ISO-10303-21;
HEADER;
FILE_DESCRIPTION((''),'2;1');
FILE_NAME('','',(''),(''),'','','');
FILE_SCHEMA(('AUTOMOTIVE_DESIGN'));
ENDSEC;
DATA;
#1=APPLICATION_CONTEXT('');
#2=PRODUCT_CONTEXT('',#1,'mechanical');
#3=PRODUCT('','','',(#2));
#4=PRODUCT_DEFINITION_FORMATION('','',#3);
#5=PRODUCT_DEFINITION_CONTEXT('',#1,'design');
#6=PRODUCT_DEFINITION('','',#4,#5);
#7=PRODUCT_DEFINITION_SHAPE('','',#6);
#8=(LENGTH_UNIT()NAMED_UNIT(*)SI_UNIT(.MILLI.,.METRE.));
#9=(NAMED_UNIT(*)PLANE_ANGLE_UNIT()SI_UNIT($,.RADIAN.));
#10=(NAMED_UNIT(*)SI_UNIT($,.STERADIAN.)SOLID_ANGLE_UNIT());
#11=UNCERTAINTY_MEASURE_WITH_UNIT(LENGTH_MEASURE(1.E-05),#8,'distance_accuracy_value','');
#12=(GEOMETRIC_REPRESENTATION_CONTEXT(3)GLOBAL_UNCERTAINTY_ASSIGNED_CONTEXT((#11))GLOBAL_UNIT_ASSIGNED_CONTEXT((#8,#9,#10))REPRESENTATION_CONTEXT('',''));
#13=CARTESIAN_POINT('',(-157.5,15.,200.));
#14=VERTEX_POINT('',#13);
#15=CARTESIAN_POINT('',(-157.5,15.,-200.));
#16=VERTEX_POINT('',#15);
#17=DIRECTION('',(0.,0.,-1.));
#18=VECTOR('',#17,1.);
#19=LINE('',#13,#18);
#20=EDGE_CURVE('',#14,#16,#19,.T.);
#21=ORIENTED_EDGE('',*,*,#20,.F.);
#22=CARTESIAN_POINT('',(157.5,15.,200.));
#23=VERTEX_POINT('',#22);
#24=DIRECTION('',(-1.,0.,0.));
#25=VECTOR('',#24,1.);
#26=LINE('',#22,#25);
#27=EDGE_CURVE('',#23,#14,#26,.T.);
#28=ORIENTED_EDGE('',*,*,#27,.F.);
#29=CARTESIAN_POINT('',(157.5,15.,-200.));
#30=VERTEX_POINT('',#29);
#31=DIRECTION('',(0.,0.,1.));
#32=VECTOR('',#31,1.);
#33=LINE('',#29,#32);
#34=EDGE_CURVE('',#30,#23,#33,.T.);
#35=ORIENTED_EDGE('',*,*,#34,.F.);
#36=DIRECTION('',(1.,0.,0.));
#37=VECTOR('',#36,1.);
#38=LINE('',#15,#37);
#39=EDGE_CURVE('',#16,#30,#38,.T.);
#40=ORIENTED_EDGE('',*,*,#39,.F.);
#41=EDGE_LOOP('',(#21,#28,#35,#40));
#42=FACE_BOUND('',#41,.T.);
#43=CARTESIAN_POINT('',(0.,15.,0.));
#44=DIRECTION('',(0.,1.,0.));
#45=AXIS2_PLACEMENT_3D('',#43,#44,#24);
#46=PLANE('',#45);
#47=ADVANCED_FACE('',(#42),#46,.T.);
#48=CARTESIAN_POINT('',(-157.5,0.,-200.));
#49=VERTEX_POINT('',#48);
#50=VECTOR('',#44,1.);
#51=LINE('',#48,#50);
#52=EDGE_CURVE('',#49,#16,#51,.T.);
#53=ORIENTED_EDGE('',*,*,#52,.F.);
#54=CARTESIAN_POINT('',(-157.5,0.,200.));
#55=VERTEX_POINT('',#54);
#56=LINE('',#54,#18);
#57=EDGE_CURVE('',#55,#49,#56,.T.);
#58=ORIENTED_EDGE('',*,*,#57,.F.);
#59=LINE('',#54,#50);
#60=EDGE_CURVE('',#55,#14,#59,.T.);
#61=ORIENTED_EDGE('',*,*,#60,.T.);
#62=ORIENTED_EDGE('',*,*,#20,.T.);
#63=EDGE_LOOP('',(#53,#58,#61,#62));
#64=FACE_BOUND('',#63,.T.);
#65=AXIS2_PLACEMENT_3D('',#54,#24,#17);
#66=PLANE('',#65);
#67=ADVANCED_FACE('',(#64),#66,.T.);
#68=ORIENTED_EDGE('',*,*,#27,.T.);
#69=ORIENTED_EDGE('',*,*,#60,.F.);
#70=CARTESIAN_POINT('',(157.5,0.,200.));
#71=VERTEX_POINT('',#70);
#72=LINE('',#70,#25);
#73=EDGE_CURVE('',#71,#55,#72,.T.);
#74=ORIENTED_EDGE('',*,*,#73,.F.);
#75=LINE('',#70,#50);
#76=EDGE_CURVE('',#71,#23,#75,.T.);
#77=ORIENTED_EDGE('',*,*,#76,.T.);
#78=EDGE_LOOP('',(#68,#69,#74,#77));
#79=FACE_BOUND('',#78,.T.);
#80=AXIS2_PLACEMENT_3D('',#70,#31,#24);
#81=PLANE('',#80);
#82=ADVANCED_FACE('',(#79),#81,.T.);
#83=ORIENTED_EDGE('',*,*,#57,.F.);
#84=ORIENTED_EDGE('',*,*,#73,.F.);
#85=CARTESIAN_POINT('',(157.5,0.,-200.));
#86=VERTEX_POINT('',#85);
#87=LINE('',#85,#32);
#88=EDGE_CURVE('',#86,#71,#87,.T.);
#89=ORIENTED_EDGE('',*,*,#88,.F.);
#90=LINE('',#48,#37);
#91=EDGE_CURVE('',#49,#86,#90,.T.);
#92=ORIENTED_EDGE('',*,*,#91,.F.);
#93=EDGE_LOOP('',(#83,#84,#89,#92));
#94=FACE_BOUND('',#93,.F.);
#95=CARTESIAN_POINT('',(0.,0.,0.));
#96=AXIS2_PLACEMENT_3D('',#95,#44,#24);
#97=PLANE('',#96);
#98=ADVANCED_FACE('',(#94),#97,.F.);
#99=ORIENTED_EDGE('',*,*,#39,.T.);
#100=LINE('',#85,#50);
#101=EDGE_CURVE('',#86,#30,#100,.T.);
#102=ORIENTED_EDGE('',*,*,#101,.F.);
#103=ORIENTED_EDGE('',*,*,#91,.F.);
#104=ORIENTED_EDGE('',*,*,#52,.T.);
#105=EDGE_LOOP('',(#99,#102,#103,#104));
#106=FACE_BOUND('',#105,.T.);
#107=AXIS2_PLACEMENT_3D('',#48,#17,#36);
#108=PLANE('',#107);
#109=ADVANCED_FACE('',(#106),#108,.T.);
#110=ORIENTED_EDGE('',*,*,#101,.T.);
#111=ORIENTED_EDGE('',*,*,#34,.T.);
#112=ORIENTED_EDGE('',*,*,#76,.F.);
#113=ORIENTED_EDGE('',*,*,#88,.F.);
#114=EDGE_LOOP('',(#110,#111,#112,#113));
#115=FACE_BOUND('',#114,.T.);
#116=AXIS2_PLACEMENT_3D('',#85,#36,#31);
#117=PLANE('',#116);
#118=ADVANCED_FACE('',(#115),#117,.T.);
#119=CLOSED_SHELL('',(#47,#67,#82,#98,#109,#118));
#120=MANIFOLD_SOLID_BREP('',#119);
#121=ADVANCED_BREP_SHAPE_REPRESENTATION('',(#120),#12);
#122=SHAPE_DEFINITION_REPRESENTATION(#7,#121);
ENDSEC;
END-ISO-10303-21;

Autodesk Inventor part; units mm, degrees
ref_plane "YZ Plane" through (0, 0, 0) normal (1, 0, 0) x (0, 1, 0)
ref_plane "XZ Plane" through (0, 0, 0) normal (0, 1, 0) x (-1, 0, 0)
ref_plane "XY Plane" through (0, 0, 0) normal (0, 0, 1) x (1, 0, 0)
sketch "Sketch1" plane through (0, 0, 0) normal (0, 1, 0) x (-1, 0, 0)
  line L0 (-157.5, 200) -> (157.5, 200)
  line L1 (157.5, 200) -> (157.5, -200)
  line L2 (157.5, -200) -> (-157.5, -200)
  line L3 (-157.5, -200) -> (-157.5, 200)
  line L4 (-157.5, 200) -> (157.5, -200) construction
  line L5 (157.5, 200) -> (-157.5, -200) construction
  point P0 (0, 0)
  dimension "d0" = 315
  dimension "d1" = 400
extrude "Extrusion1" add sketch "Sketch1" along normal blind 15
properties part number "StandVibrationMat"
